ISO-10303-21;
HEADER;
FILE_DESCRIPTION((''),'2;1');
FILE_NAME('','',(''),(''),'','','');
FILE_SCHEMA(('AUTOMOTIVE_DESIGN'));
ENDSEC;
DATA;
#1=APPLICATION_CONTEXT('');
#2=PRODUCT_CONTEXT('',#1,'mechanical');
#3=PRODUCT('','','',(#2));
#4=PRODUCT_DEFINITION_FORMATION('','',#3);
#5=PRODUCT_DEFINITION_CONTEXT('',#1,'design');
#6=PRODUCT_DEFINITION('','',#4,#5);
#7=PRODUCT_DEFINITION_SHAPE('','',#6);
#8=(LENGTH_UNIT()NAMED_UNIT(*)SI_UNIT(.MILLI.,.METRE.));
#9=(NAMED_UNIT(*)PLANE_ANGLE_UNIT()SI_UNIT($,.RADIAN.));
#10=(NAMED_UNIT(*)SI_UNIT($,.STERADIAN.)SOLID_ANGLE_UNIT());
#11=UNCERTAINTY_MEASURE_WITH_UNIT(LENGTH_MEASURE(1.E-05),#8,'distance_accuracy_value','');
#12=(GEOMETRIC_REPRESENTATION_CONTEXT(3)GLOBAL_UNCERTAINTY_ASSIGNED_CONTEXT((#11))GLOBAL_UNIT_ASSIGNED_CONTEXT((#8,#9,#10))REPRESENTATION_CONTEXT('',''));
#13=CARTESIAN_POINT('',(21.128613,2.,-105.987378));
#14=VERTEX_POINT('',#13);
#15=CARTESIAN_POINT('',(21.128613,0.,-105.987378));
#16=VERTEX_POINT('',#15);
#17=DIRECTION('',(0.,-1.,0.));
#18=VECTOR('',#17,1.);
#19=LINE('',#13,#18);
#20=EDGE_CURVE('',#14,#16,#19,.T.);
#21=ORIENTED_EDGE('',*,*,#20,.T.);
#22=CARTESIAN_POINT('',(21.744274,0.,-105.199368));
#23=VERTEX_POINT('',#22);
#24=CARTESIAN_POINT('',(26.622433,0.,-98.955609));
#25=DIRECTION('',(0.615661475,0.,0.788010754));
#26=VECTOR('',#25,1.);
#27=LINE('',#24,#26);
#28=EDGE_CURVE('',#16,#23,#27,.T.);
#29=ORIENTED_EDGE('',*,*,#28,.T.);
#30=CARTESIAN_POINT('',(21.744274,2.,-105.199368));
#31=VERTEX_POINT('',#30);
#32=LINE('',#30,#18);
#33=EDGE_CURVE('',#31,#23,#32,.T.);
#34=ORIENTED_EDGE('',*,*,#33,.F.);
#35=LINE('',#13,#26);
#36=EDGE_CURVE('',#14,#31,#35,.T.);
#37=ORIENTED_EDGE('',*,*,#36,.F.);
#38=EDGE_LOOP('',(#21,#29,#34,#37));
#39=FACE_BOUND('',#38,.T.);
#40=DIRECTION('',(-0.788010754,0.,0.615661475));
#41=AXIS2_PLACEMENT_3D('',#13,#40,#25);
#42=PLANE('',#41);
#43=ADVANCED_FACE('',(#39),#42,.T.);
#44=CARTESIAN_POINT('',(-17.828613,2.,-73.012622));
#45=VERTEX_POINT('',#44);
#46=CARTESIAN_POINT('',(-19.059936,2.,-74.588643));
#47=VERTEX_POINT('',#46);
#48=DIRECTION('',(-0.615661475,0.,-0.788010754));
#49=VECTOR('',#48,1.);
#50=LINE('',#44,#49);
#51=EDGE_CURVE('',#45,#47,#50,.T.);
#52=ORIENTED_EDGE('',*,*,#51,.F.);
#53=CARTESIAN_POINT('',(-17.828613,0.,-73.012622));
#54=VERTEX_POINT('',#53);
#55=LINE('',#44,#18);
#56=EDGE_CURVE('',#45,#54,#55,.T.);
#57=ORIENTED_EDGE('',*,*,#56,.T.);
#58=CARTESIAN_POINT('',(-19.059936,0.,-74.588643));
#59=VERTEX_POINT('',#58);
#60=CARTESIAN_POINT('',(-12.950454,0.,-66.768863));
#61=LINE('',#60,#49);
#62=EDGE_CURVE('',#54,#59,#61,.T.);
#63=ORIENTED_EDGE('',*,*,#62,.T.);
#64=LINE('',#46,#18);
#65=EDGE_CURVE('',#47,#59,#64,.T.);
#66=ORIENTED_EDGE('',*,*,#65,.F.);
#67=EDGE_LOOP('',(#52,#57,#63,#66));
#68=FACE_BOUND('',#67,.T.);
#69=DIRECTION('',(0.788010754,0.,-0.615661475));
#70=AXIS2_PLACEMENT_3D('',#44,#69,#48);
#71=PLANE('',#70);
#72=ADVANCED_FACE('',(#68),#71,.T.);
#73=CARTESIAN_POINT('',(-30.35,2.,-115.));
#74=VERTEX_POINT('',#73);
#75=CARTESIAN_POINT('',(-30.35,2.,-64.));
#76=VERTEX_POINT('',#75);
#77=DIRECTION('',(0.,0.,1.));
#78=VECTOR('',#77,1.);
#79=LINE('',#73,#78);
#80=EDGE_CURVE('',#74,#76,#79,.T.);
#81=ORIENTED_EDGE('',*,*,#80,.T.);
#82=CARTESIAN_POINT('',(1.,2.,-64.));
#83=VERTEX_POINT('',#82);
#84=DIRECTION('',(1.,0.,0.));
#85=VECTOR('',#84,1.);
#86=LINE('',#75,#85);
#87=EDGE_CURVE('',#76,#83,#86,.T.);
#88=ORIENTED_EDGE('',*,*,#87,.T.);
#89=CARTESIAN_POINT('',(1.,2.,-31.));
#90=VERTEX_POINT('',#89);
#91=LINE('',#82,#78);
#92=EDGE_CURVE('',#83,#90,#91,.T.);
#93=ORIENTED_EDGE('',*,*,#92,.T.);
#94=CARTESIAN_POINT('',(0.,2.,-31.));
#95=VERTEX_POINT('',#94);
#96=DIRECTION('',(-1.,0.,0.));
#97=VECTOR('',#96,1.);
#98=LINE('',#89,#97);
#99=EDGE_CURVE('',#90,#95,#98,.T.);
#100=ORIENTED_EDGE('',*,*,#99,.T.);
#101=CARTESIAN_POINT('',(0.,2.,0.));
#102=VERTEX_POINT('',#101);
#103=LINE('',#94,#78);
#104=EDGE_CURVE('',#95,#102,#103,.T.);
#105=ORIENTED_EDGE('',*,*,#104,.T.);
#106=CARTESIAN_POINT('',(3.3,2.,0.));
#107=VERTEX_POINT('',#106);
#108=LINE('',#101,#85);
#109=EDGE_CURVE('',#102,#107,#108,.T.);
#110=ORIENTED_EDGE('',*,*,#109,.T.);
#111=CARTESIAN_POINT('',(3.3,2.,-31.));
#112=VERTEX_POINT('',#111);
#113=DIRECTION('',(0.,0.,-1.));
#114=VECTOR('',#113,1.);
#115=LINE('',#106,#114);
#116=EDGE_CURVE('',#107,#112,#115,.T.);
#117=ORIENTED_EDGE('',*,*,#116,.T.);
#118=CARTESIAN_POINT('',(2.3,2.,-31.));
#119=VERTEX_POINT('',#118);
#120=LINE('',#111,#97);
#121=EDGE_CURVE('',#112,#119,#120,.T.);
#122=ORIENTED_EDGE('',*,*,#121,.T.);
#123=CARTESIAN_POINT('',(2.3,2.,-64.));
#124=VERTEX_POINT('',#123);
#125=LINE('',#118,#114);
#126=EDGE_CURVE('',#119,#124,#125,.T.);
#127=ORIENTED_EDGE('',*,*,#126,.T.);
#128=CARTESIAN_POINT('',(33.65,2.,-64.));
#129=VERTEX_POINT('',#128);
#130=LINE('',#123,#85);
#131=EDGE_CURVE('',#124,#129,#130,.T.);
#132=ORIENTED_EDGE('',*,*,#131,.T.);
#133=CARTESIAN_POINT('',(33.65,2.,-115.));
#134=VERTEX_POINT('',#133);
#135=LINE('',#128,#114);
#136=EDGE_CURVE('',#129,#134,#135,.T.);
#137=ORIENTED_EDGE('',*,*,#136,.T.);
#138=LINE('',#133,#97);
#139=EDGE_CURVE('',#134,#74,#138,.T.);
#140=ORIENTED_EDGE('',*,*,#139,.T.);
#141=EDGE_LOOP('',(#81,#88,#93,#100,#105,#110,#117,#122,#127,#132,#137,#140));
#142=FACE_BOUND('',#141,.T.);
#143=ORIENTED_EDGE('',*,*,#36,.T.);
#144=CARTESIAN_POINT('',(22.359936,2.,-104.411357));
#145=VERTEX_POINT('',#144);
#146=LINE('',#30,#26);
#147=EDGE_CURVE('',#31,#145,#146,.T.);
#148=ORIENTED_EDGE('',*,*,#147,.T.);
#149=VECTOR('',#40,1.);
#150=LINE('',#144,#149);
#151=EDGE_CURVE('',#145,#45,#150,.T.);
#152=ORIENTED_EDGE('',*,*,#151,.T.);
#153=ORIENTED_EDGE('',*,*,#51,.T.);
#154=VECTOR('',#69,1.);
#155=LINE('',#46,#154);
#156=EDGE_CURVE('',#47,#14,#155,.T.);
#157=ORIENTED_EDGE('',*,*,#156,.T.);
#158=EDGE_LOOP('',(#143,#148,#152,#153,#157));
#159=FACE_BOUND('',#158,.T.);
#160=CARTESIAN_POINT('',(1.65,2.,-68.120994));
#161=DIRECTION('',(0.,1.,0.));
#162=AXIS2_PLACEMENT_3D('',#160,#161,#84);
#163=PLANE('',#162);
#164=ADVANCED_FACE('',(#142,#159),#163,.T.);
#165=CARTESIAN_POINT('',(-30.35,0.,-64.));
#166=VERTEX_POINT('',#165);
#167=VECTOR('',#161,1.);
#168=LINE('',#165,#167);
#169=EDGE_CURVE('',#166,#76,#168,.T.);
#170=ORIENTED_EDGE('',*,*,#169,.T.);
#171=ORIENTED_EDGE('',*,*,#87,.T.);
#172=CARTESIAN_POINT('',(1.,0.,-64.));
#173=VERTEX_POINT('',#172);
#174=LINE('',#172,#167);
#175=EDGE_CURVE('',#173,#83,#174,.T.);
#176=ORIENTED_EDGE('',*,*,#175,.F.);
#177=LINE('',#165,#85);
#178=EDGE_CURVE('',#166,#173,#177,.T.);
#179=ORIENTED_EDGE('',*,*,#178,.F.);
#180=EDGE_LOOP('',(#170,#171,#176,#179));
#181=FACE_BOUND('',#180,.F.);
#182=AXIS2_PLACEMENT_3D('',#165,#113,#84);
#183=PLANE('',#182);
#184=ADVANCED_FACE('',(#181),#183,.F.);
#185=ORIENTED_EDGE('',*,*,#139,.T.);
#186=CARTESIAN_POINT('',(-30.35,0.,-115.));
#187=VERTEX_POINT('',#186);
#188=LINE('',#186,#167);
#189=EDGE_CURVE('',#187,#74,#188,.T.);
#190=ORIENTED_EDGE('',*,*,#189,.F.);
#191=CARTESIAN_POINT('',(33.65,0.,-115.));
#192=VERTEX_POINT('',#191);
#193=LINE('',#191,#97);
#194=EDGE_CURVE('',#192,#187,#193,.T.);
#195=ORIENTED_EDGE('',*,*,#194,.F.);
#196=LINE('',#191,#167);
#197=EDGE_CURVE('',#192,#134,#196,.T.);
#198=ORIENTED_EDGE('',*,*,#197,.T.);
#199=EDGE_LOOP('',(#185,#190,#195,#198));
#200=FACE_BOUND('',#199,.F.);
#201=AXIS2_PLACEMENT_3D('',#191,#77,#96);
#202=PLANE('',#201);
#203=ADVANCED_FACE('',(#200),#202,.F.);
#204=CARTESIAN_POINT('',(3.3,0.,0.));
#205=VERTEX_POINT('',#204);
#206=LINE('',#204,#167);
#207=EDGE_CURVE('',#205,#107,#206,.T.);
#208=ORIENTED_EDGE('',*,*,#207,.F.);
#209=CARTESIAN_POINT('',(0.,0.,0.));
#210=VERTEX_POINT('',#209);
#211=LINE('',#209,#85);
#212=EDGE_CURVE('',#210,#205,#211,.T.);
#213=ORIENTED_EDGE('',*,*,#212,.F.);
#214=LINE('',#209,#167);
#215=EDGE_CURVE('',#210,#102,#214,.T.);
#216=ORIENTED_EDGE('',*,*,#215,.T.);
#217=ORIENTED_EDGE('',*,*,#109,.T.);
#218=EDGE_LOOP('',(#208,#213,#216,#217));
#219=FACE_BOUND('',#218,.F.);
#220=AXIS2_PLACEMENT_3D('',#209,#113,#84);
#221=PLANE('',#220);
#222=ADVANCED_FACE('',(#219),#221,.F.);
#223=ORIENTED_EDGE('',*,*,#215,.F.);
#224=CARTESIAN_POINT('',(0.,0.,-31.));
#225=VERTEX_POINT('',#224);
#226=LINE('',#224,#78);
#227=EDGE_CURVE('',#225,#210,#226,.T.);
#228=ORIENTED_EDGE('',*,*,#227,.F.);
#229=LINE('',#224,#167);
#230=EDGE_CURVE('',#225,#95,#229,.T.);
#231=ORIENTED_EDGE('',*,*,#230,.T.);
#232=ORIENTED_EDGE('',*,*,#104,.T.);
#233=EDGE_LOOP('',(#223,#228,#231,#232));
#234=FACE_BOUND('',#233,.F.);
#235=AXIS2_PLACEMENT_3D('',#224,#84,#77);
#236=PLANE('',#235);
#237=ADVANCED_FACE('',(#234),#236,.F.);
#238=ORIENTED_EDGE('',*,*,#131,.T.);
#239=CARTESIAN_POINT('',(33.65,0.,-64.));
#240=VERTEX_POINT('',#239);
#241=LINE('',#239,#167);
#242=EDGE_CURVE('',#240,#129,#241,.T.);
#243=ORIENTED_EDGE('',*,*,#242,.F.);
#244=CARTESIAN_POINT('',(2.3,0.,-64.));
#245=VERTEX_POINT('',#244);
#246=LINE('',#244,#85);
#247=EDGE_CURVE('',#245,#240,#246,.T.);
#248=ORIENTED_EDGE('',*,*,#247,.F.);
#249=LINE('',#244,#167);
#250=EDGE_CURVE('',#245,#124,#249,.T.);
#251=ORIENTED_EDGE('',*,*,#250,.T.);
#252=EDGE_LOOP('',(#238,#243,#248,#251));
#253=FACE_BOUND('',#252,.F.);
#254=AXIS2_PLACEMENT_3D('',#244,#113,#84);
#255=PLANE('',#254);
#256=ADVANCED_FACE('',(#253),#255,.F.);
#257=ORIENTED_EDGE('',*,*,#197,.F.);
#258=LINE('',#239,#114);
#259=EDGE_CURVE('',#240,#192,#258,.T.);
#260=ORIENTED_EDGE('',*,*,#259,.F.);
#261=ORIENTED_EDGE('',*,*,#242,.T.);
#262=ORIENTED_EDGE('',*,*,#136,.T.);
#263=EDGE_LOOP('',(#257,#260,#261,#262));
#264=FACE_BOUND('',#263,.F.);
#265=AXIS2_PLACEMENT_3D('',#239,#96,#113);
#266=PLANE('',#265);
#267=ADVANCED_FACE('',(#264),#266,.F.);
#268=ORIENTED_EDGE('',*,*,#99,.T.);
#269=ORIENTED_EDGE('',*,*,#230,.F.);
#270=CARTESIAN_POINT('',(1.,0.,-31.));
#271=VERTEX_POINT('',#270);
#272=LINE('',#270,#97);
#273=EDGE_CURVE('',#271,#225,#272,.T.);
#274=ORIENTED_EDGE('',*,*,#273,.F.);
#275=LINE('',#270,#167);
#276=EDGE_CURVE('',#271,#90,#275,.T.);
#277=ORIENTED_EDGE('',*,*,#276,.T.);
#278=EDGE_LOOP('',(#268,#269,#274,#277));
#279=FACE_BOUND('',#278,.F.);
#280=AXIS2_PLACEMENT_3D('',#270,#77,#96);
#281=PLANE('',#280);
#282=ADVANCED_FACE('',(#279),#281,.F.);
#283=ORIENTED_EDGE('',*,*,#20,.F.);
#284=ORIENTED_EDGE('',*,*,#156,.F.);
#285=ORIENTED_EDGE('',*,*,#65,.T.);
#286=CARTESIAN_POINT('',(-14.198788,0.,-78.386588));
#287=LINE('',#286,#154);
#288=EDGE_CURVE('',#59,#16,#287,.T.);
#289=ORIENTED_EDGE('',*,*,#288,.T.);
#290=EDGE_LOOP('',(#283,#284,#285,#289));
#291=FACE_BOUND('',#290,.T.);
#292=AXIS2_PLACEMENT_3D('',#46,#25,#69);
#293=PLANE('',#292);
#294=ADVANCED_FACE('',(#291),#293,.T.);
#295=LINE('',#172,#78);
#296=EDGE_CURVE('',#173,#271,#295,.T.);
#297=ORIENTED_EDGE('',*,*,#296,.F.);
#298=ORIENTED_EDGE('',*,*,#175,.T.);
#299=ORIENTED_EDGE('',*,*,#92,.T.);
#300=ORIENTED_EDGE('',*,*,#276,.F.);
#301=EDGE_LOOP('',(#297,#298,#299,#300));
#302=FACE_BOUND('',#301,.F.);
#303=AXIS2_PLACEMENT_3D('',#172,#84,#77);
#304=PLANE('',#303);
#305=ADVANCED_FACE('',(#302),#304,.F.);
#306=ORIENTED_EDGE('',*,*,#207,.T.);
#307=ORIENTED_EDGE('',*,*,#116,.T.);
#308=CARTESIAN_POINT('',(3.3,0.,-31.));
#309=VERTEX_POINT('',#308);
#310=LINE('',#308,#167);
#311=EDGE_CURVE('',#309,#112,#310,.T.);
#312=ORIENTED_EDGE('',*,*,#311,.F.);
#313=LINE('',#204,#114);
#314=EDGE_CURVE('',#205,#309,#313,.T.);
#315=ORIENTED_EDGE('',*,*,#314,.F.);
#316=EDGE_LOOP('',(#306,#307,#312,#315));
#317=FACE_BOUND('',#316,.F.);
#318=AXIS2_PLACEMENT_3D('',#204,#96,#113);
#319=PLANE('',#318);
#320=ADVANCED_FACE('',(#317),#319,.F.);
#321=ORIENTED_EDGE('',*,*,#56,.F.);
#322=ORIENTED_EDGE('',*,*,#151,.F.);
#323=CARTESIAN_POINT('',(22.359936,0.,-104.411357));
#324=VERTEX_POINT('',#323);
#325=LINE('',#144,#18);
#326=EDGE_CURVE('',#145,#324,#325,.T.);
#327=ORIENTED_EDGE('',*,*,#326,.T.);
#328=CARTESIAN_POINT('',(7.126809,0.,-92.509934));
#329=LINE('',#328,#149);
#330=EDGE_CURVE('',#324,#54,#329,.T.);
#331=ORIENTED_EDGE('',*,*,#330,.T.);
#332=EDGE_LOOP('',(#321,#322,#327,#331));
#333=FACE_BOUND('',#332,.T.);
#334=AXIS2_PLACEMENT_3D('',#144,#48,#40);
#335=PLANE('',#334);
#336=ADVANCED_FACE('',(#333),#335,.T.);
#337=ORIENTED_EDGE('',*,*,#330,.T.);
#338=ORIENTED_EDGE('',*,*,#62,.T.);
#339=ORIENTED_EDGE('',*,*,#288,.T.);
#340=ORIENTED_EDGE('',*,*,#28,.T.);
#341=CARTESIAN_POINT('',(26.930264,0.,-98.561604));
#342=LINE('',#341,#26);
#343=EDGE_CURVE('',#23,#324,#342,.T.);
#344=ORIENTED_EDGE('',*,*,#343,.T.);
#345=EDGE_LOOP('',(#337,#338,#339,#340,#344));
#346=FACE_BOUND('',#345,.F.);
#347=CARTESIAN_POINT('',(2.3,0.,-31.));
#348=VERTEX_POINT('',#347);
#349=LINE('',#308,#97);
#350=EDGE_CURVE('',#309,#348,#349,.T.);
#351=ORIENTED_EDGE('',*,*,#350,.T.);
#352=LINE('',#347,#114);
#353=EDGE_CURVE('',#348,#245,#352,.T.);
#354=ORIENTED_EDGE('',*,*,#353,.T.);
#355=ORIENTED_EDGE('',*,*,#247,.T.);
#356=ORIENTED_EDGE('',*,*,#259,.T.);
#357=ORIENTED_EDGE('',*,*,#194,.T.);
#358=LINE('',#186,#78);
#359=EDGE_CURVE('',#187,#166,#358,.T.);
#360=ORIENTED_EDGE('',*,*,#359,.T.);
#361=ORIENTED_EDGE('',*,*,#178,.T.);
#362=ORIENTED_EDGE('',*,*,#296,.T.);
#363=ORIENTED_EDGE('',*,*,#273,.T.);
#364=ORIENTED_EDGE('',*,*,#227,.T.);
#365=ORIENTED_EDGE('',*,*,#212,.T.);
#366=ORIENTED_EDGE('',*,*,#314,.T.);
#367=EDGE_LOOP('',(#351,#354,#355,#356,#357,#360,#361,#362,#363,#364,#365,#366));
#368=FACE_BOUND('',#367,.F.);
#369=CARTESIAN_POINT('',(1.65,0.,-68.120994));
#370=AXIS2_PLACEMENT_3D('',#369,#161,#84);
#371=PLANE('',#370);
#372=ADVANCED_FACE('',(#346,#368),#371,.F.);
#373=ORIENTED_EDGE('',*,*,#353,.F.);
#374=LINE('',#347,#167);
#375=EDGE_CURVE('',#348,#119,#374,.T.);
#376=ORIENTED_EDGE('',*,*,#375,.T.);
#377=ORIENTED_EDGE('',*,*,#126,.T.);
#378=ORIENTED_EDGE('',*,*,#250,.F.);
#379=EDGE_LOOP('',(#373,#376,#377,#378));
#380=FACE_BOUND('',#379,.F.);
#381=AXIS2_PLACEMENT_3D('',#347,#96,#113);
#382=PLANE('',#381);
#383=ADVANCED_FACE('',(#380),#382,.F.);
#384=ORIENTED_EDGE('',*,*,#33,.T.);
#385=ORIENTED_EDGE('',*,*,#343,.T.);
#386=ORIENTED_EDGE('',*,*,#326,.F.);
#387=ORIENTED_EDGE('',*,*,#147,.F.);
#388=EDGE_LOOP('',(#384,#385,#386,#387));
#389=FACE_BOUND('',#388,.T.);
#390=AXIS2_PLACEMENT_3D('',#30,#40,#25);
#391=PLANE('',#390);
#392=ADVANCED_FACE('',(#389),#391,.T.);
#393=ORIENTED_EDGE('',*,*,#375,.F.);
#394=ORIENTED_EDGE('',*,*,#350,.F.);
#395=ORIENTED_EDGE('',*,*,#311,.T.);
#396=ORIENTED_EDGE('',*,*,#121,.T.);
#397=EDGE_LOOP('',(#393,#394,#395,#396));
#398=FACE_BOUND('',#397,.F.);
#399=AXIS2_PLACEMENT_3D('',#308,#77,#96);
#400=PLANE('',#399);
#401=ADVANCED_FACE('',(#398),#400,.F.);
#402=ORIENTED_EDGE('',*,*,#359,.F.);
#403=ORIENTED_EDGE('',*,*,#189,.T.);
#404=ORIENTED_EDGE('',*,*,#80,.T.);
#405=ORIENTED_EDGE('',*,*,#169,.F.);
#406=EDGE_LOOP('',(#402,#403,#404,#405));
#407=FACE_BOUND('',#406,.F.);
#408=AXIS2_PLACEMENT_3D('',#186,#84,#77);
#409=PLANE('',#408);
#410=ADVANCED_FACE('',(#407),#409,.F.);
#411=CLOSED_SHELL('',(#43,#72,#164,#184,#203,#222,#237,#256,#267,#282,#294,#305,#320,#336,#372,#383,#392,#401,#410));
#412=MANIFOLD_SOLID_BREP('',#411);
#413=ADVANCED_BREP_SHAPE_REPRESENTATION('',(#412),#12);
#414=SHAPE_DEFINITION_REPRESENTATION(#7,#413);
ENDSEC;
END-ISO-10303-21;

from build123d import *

# Parameters (mm, degrees)
BOSS_EXTRUDE1_DEPTH = 2
CUT_EXTRUDE1_DEPTH  = 3


with BuildPart() as part:
    # Sketch1 → Boss-Extrude1 (new body)
    with BuildSketch(Plane(origin=(0, 0, 0), x_dir=(1, 0, 0), z_dir=(0, 1, 0))):
        Polygon((0, 0), (3.3, 0), (3.3, 31), (2.3, 31), (2.3, 64), (33.65, 64), (33.65, 115), (-30.35, 115), (-30.35, 64), (1, 64), (1, 31), (0, 31), align=None)
    extrude(amount=BOSS_EXTRUDE1_DEPTH)

    # Sketch2 → Cut-Extrude1 (cut, through all)
    with BuildSketch(Plane(origin=(0, 2, 0), x_dir=(1, 0, 0), z_dir=(0, 1, 0))):
        Polygon((21.744274217, 105.199367621), (22.359935692, 104.411356867), (-17.828612742, 73.012621626), (-19.059935692, 74.588643133), (21.128612742, 105.987378374), align=None)
    extrude(amount=-CUT_EXTRUDE1_DEPTH, mode=Mode.SUBTRACT)


solid = part.part
